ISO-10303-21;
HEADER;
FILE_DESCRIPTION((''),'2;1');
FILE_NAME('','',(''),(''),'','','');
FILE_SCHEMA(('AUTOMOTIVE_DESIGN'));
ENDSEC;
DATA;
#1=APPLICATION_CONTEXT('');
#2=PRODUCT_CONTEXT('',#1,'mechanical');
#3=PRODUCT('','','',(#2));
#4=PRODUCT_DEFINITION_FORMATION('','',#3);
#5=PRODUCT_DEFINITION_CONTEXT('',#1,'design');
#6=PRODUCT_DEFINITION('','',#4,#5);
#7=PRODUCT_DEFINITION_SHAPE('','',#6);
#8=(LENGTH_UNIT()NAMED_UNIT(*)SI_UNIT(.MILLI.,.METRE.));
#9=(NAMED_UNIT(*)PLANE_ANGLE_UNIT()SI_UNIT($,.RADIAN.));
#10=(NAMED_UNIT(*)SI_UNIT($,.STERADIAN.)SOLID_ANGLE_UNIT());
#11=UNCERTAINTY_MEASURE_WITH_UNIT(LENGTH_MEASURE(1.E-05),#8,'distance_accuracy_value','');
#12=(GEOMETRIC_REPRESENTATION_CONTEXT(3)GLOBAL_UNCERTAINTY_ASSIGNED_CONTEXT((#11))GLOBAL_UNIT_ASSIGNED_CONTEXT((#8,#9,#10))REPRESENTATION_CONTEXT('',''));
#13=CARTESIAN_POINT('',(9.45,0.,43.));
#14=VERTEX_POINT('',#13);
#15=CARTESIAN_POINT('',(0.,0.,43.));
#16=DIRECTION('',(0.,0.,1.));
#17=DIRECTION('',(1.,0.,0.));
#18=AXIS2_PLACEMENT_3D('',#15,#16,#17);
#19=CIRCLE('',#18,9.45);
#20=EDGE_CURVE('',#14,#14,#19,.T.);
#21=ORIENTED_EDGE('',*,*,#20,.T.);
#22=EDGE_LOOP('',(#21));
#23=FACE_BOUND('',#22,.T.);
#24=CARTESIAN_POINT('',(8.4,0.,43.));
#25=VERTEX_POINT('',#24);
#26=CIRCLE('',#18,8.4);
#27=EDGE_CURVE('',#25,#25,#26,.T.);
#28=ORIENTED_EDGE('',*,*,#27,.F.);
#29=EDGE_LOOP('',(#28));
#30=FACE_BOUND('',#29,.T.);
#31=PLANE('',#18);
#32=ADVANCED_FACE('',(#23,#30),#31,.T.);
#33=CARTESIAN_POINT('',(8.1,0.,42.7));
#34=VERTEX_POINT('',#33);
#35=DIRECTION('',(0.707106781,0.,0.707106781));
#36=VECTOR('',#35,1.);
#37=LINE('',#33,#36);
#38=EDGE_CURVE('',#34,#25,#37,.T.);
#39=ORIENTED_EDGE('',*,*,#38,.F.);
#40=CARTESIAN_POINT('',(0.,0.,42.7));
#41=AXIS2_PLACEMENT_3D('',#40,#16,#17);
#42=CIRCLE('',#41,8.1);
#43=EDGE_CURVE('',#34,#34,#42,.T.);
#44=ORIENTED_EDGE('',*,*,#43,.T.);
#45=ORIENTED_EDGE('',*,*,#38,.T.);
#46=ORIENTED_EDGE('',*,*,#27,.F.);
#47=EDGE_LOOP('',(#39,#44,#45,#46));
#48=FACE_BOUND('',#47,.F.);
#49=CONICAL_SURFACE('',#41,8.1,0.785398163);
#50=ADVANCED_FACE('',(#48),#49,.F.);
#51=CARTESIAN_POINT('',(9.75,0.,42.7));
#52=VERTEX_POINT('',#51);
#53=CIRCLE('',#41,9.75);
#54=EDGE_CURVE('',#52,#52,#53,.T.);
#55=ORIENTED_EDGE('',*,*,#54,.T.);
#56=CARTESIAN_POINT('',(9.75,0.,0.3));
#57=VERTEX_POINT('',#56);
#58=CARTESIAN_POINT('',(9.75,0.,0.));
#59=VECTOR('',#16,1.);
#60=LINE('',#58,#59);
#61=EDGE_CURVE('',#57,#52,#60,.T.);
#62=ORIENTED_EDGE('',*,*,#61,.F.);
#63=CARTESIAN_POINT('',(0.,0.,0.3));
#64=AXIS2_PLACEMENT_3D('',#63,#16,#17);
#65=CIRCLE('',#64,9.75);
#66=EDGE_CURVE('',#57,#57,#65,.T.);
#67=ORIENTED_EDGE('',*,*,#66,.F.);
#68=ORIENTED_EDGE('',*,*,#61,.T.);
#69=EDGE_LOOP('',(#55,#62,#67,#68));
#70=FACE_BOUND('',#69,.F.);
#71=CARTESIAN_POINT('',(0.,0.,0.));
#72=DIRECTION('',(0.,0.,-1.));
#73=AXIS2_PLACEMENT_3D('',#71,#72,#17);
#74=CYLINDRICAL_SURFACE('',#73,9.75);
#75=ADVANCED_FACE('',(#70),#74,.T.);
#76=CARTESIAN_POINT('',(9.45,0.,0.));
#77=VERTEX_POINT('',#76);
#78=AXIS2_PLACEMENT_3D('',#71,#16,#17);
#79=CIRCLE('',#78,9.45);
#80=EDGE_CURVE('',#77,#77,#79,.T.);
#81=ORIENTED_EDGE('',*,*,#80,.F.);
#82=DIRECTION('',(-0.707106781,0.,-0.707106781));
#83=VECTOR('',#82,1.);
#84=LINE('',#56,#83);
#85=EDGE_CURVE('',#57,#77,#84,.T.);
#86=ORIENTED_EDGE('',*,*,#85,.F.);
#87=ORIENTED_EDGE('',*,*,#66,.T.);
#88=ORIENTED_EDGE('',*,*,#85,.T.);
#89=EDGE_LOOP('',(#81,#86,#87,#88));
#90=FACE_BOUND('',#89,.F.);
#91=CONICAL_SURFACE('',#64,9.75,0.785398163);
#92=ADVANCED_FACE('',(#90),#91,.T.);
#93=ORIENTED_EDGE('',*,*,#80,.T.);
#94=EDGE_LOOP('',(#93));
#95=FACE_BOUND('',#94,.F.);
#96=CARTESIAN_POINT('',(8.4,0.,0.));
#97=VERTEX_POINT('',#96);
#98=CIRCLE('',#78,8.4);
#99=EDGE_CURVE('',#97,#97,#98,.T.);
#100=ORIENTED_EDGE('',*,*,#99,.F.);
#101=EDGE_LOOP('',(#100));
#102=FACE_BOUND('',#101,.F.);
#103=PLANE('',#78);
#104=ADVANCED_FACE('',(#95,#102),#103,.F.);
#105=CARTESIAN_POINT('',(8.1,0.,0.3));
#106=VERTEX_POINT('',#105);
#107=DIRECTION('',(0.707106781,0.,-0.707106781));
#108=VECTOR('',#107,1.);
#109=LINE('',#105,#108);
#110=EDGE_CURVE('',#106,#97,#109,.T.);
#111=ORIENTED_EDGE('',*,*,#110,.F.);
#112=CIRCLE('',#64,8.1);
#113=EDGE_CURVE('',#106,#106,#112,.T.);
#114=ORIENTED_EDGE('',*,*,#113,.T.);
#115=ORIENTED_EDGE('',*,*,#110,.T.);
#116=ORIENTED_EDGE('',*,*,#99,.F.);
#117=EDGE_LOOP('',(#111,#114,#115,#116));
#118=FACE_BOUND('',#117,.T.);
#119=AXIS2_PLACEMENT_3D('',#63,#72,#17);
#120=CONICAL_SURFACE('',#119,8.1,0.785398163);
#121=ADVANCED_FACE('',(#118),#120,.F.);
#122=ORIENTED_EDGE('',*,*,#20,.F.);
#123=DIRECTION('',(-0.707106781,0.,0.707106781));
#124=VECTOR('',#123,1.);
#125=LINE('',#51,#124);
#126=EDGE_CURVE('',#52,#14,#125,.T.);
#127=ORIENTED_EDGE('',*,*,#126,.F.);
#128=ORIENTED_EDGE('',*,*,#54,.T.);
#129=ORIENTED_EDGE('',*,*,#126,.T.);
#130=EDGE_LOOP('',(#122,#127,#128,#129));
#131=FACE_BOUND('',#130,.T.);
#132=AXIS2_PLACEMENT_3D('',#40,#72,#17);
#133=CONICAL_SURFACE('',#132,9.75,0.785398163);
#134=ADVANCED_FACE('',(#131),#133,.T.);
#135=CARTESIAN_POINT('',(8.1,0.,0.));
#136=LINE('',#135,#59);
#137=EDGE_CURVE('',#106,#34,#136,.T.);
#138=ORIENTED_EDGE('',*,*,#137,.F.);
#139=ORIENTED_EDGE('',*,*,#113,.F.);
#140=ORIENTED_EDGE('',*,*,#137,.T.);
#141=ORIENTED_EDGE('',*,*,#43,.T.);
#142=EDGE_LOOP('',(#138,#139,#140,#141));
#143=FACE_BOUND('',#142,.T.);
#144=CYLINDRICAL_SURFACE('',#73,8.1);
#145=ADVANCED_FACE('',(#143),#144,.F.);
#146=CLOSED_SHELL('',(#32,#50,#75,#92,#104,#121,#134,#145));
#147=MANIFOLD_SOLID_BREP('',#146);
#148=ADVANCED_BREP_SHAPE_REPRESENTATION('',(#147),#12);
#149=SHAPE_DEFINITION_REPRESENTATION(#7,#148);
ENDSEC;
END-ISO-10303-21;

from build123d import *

# Parameters (mm, degrees)
F0_R     = 9.75
F0_R_2   = 8.1
F1_DEPTH = 43
F2_SIZE  = 0.3


with BuildPart() as f1:
    # F0 (on Top) → F1 (new body)
    with BuildSketch(Plane.XY):
        Circle(F0_R)
        Circle(F0_R_2, mode=Mode.SUBTRACT)
    extrude(amount=F1_DEPTH)

    # F2
    f2_edges = [f1.edges().sort_by_distance(p)[0] for p in [
        (9.75, 0, 21.5),
        (-9.75, 0, 0),
        (-9.75, 0, 43),
        (8.1, 0, 21.5),
        (-8.1, 0, 0),
        (-8.1, 0, 43),
    ]]
    chamfer(f2_edges, length=F2_SIZE)


solid = f1.part
